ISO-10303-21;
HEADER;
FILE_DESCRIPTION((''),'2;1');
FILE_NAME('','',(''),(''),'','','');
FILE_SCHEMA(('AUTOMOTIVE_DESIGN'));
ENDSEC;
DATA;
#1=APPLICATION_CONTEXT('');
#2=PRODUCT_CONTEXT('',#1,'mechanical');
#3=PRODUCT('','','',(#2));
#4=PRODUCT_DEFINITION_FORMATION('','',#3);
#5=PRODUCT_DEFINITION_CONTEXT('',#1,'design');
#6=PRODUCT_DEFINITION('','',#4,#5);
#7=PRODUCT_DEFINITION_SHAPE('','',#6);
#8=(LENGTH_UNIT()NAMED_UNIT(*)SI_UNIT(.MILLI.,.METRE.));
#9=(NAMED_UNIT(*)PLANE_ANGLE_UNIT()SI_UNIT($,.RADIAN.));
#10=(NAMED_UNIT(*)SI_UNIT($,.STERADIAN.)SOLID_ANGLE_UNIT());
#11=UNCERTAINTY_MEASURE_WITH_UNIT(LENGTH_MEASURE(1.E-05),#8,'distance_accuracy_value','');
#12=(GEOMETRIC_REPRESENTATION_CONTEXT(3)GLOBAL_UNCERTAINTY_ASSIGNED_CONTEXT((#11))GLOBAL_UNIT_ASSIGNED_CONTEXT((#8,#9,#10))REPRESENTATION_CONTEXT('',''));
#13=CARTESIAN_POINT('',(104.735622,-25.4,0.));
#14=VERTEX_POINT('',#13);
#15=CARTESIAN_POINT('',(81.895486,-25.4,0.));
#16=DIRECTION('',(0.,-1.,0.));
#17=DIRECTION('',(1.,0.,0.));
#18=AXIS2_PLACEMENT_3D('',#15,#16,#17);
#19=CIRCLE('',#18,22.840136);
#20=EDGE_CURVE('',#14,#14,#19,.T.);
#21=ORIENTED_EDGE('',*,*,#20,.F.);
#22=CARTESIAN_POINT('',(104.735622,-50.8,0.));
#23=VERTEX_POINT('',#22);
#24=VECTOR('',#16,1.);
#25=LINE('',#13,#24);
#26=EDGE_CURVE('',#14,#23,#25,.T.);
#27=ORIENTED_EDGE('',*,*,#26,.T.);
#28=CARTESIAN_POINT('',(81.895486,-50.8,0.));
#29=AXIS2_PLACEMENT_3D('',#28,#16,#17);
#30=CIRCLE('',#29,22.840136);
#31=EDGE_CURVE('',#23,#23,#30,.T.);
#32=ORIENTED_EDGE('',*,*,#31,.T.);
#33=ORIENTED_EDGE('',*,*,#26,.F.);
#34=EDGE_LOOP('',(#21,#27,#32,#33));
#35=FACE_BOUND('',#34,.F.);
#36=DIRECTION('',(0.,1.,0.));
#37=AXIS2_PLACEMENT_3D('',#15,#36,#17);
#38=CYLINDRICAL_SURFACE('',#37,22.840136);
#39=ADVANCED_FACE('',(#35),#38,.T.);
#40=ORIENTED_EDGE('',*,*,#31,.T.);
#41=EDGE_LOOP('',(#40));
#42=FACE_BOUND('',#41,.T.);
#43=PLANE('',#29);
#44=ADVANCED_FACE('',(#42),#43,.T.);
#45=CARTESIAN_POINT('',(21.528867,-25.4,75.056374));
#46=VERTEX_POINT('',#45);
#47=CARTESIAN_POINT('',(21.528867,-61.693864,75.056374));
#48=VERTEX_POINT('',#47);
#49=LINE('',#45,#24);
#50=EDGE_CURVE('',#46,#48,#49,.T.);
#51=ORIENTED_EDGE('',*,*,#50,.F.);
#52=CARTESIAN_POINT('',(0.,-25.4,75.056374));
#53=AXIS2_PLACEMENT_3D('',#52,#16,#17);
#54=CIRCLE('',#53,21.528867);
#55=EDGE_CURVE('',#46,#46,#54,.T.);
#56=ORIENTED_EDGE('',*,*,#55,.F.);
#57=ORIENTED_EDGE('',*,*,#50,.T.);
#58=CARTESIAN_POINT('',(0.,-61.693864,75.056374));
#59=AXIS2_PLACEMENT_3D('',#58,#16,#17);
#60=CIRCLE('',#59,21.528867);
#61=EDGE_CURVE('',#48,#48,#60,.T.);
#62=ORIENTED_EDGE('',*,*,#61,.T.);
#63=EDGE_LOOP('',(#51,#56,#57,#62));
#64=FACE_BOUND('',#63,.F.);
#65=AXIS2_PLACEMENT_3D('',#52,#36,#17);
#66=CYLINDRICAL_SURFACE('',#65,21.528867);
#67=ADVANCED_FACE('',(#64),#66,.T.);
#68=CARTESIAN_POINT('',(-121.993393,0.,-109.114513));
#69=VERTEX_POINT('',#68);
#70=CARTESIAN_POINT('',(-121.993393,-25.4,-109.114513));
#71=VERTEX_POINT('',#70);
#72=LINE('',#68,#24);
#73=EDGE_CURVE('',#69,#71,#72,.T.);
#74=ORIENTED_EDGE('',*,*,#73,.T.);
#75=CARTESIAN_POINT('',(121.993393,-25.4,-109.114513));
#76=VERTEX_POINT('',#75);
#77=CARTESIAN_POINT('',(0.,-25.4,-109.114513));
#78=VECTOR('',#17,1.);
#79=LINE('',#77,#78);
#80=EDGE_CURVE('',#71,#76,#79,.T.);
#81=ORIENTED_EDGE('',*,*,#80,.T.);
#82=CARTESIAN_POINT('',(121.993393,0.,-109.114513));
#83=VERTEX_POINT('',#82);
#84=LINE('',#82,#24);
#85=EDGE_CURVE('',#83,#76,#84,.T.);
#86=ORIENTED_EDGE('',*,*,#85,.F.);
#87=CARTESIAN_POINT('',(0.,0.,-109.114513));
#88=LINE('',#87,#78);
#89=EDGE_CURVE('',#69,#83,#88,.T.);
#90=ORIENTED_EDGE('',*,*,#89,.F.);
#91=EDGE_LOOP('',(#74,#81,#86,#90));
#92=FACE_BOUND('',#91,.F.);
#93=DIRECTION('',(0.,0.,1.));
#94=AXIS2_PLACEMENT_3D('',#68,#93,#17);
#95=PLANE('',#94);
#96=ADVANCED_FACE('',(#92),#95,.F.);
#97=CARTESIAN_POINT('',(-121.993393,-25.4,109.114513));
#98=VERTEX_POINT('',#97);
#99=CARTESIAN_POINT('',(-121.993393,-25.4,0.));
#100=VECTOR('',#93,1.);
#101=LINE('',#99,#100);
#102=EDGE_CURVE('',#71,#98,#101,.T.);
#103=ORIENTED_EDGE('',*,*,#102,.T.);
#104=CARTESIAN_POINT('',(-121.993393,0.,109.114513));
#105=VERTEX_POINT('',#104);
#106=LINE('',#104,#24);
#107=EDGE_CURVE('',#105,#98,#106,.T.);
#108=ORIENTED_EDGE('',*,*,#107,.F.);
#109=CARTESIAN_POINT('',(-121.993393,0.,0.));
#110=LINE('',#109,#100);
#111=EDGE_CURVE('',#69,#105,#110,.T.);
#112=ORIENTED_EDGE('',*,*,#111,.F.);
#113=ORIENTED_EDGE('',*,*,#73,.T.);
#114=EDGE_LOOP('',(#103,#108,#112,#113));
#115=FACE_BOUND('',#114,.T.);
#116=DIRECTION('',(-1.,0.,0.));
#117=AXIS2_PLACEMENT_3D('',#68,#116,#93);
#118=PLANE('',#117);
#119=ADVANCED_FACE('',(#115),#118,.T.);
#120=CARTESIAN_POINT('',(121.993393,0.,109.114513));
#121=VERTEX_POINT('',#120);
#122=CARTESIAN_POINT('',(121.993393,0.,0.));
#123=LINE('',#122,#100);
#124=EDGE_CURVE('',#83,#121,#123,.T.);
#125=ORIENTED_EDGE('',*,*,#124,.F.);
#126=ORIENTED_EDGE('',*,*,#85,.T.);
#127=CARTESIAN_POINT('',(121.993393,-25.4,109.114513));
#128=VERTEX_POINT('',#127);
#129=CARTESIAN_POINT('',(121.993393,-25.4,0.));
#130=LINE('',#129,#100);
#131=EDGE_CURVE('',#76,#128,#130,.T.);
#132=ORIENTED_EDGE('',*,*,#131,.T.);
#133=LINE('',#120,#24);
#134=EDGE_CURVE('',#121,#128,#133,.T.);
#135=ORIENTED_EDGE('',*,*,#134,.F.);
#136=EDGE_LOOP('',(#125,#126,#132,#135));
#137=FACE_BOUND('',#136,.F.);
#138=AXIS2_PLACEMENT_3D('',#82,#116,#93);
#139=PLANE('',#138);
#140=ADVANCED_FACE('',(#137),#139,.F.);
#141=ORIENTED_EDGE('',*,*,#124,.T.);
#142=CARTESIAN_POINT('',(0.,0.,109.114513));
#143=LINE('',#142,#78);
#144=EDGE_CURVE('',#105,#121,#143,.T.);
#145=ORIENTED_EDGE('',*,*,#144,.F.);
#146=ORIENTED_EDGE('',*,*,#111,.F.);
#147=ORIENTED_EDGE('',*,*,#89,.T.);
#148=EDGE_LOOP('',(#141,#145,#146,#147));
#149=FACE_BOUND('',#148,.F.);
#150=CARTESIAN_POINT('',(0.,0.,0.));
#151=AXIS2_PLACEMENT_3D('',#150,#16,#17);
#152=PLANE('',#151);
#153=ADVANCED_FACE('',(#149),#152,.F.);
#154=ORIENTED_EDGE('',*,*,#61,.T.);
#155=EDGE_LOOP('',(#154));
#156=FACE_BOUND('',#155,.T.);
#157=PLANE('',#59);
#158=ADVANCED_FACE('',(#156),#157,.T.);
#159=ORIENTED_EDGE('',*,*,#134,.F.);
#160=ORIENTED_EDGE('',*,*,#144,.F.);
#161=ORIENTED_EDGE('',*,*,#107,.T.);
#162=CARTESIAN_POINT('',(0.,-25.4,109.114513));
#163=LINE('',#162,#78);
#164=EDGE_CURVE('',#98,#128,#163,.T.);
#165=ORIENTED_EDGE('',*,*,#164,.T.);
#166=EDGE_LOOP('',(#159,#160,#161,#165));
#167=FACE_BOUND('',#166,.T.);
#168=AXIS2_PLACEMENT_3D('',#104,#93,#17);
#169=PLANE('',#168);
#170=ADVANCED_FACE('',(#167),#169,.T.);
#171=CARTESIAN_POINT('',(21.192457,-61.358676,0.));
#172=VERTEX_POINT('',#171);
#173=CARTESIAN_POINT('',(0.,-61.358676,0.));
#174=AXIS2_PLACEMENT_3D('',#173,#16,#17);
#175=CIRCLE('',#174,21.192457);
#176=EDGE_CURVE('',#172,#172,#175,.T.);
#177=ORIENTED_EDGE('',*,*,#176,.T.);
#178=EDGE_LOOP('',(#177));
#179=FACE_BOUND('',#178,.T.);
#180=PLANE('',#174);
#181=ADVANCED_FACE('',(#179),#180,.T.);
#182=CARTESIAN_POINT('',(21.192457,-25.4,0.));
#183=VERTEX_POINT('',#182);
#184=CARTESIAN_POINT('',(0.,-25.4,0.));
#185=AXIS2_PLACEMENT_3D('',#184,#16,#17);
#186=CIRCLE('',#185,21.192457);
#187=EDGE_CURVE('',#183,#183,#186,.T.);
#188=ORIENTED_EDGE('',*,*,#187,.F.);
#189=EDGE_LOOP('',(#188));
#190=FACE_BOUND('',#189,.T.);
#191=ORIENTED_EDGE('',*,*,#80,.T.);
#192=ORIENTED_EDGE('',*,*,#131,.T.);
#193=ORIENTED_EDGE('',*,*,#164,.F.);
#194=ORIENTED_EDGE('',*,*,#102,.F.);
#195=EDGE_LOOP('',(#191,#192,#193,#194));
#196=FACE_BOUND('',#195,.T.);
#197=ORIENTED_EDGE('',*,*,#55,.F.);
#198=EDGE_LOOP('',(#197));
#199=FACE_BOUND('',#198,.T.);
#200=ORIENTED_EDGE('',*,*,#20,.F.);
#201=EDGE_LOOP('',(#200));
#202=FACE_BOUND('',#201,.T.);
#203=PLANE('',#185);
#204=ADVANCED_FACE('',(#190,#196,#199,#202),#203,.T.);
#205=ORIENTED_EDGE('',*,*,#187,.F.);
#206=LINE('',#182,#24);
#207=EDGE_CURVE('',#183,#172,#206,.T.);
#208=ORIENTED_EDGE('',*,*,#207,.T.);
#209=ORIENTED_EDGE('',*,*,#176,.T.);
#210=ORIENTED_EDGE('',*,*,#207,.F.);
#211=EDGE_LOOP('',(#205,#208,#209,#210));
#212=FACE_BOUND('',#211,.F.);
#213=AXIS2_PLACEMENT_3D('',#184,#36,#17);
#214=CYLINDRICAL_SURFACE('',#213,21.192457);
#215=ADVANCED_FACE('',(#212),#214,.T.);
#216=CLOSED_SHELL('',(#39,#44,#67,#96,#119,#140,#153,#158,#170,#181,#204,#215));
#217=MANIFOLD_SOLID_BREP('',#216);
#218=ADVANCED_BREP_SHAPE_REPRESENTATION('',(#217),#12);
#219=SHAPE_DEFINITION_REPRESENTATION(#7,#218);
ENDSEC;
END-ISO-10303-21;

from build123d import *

# Parameters (mm, degrees)
F0_W     = 243.986786
F0_H     = 218.229026
F1_DEPTH = 25.4
F2_R     = 21.192457
F3_DEPTH = 35.958676
F4_R     = 21.528867
F5_DEPTH = 36.293864
F6_R     = 22.840136
F7_DEPTH = 25.4


with BuildPart() as f1:
    # F0 (on Front) → F1 (new body)
    with BuildSketch(Plane.XZ):
        Rectangle(F0_W, F0_H)
    extrude(amount=F1_DEPTH)

    # F2 (on face) → F3 (join)
    with BuildSketch(Plane.XZ.offset(25.4)):
        Circle(F2_R)
    extrude(amount=F3_DEPTH)

    # F4 (on face) → F5 (join)
    with BuildSketch(Plane.XZ.offset(25.4)):
        with Locations((0, 75.056374)):
            Circle(F4_R)
    extrude(amount=F5_DEPTH)

    # F6 (on face) → F7 (join)
    with BuildSketch(Plane.XZ.offset(25.4)):
        with Locations((81.895486, 0)):
            Circle(F6_R)
    extrude(amount=F7_DEPTH)


solid = f1.part
